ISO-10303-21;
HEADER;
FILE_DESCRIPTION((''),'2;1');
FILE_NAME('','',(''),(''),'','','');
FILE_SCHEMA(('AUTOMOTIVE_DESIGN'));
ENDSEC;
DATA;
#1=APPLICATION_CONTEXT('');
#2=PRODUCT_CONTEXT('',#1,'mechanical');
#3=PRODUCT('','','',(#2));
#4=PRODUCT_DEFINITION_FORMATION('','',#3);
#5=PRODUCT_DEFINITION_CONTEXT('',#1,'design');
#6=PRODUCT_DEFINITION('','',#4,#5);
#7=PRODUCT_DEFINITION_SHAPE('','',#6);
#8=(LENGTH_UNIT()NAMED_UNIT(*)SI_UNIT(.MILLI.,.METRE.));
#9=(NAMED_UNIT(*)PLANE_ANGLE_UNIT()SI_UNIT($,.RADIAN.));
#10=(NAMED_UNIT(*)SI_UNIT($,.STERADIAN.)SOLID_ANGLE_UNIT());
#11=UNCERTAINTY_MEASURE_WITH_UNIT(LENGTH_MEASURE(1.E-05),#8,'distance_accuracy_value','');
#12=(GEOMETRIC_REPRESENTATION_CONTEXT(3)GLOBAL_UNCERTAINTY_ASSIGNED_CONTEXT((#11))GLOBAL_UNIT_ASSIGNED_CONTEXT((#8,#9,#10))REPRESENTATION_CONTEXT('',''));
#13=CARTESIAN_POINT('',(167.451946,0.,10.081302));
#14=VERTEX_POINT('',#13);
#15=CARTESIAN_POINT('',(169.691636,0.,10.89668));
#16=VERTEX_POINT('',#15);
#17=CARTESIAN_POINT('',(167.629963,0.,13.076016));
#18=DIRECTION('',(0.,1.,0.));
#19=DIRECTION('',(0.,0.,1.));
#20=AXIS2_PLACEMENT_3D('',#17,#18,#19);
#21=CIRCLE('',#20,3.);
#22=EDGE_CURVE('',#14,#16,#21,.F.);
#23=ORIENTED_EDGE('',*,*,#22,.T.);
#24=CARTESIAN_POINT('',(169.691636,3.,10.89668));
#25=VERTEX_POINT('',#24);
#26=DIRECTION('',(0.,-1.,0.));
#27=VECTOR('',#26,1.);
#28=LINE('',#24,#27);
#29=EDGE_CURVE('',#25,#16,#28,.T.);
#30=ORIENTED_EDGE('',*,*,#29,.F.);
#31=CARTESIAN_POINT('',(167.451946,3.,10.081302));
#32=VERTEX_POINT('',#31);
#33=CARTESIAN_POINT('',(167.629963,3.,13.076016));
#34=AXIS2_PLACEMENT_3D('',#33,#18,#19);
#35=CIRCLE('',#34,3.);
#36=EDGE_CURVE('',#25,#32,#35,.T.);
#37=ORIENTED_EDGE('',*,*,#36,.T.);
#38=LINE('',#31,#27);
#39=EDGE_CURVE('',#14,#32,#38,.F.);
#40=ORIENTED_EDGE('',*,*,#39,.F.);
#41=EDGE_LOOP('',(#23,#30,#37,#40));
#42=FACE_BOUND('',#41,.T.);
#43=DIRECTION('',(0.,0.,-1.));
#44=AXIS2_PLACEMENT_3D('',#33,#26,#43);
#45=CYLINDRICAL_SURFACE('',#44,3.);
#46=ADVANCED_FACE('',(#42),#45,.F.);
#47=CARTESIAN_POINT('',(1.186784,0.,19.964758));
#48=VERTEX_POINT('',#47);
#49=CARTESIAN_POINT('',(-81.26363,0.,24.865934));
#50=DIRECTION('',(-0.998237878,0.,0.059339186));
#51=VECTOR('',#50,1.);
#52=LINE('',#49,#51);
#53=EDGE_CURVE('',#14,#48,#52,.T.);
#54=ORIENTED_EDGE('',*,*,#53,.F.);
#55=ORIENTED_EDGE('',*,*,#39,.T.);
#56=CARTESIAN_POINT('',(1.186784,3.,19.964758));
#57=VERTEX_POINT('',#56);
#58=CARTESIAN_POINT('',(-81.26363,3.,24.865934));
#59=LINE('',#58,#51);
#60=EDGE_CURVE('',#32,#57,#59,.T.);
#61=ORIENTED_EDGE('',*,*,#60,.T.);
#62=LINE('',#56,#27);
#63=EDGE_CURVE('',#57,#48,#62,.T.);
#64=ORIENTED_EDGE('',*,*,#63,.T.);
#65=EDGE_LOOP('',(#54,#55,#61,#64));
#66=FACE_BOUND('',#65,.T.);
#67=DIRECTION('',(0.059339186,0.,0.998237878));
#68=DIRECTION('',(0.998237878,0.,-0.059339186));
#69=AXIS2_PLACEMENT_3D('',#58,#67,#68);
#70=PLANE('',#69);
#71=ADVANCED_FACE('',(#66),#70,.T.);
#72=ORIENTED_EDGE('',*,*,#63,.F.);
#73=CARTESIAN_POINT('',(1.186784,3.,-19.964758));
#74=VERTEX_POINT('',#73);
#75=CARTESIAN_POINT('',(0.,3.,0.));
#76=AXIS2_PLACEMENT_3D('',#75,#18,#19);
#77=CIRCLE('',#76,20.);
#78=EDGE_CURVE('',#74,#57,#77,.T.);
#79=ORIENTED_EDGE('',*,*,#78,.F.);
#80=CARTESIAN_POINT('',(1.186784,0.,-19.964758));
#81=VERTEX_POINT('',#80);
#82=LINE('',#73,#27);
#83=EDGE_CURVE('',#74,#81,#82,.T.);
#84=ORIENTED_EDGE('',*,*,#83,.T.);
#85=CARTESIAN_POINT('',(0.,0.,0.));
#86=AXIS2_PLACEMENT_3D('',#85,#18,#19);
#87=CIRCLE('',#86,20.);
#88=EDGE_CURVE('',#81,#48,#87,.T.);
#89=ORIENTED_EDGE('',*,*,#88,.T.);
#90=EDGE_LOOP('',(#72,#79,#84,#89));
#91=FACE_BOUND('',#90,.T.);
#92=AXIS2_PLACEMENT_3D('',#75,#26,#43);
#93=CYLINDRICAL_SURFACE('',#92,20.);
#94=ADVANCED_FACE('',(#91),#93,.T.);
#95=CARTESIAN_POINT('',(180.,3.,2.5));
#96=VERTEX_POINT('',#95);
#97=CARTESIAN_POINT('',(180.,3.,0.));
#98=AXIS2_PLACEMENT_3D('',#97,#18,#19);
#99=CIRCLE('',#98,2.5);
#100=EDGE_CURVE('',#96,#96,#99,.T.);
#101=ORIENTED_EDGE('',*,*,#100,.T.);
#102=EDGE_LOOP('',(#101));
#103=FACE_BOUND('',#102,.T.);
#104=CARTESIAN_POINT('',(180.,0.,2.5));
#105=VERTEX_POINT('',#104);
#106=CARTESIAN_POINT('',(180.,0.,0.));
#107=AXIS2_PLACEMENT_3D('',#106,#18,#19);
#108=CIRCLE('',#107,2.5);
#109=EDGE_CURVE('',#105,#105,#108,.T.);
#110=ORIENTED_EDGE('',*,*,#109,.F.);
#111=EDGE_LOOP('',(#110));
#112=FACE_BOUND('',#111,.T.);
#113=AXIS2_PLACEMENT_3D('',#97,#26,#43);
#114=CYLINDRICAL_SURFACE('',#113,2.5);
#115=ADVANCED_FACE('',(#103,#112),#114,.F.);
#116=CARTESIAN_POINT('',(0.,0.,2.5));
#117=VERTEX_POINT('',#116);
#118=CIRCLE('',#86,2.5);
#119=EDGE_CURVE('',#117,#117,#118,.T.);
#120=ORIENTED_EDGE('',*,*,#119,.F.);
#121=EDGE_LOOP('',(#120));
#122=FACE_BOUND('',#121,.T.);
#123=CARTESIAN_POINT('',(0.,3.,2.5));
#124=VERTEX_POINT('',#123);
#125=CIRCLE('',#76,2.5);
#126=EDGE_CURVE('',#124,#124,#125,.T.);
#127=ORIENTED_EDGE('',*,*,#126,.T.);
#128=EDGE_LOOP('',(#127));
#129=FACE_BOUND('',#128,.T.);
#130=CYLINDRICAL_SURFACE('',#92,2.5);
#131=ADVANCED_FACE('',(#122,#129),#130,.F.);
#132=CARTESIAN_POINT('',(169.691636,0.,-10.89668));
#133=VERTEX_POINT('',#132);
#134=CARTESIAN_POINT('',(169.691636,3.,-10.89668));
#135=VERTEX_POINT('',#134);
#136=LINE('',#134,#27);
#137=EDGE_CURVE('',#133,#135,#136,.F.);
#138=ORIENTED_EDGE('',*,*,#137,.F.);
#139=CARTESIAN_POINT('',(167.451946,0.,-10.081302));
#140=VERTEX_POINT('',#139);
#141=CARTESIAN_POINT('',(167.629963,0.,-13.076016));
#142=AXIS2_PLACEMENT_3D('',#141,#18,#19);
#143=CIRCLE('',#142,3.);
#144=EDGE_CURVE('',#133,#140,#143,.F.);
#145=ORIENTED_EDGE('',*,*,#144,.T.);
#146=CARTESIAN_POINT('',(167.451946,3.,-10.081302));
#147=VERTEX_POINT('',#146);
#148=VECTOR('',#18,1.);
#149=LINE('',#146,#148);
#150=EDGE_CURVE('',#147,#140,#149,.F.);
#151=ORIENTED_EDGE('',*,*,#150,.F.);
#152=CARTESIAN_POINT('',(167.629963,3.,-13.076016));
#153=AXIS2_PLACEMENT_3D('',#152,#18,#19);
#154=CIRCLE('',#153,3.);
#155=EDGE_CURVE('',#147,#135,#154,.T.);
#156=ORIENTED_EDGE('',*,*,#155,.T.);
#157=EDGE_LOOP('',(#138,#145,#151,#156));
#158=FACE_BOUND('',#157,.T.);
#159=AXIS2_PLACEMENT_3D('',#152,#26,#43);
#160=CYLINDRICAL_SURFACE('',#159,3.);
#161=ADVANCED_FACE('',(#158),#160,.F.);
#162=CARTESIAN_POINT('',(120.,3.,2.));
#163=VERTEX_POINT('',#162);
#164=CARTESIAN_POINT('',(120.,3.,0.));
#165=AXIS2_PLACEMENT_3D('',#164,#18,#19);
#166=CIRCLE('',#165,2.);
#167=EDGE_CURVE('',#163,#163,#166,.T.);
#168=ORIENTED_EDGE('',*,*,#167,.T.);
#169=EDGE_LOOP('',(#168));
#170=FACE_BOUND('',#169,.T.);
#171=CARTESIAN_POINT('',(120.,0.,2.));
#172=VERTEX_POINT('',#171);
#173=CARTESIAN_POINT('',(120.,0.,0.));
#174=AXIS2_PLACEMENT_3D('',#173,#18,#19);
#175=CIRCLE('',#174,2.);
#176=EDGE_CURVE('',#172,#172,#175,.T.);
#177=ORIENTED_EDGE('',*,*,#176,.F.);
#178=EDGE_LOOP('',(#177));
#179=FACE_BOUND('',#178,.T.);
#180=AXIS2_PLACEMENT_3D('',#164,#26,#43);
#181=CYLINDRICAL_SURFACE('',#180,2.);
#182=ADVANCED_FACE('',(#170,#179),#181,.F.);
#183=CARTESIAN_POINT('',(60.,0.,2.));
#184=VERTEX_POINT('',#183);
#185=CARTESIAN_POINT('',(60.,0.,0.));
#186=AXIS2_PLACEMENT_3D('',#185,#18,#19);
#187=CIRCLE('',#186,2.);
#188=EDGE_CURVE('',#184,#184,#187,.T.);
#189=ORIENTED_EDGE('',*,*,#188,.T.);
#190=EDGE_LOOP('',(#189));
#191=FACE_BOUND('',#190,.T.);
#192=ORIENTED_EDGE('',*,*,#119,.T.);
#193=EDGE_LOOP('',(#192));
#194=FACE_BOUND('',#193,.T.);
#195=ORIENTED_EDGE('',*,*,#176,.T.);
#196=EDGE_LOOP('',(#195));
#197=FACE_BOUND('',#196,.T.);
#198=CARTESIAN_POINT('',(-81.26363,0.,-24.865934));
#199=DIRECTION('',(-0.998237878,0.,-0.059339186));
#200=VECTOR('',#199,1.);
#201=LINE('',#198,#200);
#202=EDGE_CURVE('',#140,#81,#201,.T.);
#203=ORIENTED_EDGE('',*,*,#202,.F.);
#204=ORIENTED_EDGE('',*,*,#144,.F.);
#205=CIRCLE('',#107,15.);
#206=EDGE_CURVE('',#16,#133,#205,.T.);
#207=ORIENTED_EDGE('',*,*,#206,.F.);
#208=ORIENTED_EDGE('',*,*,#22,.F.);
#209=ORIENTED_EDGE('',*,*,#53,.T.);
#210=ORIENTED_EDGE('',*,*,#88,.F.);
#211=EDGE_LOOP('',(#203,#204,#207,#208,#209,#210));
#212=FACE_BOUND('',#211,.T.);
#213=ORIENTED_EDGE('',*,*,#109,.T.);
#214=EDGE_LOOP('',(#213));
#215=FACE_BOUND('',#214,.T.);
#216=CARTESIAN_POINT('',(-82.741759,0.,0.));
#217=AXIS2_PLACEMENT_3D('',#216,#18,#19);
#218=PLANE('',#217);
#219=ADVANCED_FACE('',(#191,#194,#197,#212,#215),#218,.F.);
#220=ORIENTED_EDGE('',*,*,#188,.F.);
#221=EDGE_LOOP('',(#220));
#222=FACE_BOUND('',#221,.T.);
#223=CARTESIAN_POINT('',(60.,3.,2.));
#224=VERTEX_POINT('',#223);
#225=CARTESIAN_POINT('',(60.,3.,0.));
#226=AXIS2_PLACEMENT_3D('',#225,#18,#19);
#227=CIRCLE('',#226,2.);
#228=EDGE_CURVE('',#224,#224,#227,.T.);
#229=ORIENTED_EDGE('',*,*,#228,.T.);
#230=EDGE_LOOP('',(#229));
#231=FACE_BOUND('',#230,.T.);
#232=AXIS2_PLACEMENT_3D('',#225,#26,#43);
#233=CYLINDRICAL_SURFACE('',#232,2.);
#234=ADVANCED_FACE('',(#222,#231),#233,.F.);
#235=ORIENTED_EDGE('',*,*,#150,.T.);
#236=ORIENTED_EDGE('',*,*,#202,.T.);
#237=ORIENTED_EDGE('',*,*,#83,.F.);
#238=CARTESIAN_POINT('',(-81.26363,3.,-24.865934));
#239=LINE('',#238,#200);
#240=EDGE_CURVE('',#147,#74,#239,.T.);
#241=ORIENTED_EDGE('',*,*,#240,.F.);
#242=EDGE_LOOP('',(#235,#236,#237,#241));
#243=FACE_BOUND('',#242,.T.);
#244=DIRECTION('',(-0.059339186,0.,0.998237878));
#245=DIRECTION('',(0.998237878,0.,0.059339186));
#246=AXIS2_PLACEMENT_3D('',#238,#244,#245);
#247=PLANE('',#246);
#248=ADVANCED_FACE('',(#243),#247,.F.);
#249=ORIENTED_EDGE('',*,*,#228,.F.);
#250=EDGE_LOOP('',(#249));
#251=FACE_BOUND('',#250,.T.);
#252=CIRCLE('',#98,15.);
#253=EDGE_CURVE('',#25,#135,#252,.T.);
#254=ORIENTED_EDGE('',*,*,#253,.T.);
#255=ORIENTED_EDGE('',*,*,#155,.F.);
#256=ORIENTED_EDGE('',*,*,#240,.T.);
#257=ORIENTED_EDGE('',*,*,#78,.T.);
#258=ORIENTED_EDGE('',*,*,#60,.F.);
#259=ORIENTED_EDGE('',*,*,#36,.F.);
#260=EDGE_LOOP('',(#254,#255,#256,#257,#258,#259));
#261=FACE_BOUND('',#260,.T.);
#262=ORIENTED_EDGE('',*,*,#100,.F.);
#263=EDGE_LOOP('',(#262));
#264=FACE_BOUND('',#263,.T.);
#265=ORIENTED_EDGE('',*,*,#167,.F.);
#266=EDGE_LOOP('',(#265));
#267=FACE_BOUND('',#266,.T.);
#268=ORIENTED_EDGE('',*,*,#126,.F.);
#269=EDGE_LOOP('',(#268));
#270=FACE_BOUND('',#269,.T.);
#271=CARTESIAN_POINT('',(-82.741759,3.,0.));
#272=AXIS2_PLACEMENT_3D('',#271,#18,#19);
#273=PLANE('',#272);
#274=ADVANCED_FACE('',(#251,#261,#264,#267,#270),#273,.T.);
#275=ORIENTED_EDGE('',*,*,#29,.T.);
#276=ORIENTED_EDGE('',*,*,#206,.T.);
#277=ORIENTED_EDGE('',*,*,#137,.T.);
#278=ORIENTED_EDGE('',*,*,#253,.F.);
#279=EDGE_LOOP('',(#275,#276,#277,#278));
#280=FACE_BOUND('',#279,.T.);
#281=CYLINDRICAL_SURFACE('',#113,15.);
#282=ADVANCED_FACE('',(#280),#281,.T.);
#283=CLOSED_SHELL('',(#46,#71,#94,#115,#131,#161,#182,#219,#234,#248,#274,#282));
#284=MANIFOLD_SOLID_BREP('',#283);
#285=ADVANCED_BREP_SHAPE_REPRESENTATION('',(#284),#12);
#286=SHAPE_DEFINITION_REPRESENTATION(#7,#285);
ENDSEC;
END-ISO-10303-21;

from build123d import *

# Parameters (mm, degrees)
SKETCH1_R           = 2
SKETCH1_R_2         = 2.5
BOSS_EXTRUDE1_DEPTH = 3
FILLET2_R           = 3
FILLET3_R           = 3


with BuildPart() as part:
    # Sketch1 → Boss-Extrude1 (new body)
    with BuildSketch(Plane(origin=(0, 0, 0), x_dir=(1, 0, 0), z_dir=(0, 1, 0))):
        with BuildLine():
            ThreePointArc((1.186783721, 19.964757559), (-20, 0), (1.186783721, -19.964757559))
            Line((1.186783721, -19.964757559), (168.819660113, -10))
            ThreePointArc((168.819660113, -10), (195, 0), (168.819660113, 10))
            Line((168.819660113, 10), (1.186783721, 19.964757559))
        make_face()
        with Locations(Location((60, 0, 0), (0, 0, 270))):
            Circle(SKETCH1_R, mode=Mode.SUBTRACT)
        with Locations(Location((0, 0, 0), (0, 0, 270))):
            Circle(SKETCH1_R_2, mode=Mode.SUBTRACT)
        with Locations(Location((120, 0, 0), (0, 0, 270))):
            Circle(SKETCH1_R, mode=Mode.SUBTRACT)
        with Locations(Location((180, 0, 0), (0, 0, 270))):
            Circle(SKETCH1_R_2, mode=Mode.SUBTRACT)
    extrude(amount=BOSS_EXTRUDE1_DEPTH)

    # Fillet2
    fillet2_edges = [part.edges().sort_by_distance(p)[0] for p in [
        (168.819660113, 1.5, -10),
    ]]
    fillet(fillet2_edges, radius=FILLET2_R)

    # Fillet3
    fillet3_edges = [part.edges().sort_by_distance(p)[0] for p in [
        (168.819660113, 1.5, 10),
    ]]
    fillet(fillet3_edges, radius=FILLET3_R)


solid = part.part
